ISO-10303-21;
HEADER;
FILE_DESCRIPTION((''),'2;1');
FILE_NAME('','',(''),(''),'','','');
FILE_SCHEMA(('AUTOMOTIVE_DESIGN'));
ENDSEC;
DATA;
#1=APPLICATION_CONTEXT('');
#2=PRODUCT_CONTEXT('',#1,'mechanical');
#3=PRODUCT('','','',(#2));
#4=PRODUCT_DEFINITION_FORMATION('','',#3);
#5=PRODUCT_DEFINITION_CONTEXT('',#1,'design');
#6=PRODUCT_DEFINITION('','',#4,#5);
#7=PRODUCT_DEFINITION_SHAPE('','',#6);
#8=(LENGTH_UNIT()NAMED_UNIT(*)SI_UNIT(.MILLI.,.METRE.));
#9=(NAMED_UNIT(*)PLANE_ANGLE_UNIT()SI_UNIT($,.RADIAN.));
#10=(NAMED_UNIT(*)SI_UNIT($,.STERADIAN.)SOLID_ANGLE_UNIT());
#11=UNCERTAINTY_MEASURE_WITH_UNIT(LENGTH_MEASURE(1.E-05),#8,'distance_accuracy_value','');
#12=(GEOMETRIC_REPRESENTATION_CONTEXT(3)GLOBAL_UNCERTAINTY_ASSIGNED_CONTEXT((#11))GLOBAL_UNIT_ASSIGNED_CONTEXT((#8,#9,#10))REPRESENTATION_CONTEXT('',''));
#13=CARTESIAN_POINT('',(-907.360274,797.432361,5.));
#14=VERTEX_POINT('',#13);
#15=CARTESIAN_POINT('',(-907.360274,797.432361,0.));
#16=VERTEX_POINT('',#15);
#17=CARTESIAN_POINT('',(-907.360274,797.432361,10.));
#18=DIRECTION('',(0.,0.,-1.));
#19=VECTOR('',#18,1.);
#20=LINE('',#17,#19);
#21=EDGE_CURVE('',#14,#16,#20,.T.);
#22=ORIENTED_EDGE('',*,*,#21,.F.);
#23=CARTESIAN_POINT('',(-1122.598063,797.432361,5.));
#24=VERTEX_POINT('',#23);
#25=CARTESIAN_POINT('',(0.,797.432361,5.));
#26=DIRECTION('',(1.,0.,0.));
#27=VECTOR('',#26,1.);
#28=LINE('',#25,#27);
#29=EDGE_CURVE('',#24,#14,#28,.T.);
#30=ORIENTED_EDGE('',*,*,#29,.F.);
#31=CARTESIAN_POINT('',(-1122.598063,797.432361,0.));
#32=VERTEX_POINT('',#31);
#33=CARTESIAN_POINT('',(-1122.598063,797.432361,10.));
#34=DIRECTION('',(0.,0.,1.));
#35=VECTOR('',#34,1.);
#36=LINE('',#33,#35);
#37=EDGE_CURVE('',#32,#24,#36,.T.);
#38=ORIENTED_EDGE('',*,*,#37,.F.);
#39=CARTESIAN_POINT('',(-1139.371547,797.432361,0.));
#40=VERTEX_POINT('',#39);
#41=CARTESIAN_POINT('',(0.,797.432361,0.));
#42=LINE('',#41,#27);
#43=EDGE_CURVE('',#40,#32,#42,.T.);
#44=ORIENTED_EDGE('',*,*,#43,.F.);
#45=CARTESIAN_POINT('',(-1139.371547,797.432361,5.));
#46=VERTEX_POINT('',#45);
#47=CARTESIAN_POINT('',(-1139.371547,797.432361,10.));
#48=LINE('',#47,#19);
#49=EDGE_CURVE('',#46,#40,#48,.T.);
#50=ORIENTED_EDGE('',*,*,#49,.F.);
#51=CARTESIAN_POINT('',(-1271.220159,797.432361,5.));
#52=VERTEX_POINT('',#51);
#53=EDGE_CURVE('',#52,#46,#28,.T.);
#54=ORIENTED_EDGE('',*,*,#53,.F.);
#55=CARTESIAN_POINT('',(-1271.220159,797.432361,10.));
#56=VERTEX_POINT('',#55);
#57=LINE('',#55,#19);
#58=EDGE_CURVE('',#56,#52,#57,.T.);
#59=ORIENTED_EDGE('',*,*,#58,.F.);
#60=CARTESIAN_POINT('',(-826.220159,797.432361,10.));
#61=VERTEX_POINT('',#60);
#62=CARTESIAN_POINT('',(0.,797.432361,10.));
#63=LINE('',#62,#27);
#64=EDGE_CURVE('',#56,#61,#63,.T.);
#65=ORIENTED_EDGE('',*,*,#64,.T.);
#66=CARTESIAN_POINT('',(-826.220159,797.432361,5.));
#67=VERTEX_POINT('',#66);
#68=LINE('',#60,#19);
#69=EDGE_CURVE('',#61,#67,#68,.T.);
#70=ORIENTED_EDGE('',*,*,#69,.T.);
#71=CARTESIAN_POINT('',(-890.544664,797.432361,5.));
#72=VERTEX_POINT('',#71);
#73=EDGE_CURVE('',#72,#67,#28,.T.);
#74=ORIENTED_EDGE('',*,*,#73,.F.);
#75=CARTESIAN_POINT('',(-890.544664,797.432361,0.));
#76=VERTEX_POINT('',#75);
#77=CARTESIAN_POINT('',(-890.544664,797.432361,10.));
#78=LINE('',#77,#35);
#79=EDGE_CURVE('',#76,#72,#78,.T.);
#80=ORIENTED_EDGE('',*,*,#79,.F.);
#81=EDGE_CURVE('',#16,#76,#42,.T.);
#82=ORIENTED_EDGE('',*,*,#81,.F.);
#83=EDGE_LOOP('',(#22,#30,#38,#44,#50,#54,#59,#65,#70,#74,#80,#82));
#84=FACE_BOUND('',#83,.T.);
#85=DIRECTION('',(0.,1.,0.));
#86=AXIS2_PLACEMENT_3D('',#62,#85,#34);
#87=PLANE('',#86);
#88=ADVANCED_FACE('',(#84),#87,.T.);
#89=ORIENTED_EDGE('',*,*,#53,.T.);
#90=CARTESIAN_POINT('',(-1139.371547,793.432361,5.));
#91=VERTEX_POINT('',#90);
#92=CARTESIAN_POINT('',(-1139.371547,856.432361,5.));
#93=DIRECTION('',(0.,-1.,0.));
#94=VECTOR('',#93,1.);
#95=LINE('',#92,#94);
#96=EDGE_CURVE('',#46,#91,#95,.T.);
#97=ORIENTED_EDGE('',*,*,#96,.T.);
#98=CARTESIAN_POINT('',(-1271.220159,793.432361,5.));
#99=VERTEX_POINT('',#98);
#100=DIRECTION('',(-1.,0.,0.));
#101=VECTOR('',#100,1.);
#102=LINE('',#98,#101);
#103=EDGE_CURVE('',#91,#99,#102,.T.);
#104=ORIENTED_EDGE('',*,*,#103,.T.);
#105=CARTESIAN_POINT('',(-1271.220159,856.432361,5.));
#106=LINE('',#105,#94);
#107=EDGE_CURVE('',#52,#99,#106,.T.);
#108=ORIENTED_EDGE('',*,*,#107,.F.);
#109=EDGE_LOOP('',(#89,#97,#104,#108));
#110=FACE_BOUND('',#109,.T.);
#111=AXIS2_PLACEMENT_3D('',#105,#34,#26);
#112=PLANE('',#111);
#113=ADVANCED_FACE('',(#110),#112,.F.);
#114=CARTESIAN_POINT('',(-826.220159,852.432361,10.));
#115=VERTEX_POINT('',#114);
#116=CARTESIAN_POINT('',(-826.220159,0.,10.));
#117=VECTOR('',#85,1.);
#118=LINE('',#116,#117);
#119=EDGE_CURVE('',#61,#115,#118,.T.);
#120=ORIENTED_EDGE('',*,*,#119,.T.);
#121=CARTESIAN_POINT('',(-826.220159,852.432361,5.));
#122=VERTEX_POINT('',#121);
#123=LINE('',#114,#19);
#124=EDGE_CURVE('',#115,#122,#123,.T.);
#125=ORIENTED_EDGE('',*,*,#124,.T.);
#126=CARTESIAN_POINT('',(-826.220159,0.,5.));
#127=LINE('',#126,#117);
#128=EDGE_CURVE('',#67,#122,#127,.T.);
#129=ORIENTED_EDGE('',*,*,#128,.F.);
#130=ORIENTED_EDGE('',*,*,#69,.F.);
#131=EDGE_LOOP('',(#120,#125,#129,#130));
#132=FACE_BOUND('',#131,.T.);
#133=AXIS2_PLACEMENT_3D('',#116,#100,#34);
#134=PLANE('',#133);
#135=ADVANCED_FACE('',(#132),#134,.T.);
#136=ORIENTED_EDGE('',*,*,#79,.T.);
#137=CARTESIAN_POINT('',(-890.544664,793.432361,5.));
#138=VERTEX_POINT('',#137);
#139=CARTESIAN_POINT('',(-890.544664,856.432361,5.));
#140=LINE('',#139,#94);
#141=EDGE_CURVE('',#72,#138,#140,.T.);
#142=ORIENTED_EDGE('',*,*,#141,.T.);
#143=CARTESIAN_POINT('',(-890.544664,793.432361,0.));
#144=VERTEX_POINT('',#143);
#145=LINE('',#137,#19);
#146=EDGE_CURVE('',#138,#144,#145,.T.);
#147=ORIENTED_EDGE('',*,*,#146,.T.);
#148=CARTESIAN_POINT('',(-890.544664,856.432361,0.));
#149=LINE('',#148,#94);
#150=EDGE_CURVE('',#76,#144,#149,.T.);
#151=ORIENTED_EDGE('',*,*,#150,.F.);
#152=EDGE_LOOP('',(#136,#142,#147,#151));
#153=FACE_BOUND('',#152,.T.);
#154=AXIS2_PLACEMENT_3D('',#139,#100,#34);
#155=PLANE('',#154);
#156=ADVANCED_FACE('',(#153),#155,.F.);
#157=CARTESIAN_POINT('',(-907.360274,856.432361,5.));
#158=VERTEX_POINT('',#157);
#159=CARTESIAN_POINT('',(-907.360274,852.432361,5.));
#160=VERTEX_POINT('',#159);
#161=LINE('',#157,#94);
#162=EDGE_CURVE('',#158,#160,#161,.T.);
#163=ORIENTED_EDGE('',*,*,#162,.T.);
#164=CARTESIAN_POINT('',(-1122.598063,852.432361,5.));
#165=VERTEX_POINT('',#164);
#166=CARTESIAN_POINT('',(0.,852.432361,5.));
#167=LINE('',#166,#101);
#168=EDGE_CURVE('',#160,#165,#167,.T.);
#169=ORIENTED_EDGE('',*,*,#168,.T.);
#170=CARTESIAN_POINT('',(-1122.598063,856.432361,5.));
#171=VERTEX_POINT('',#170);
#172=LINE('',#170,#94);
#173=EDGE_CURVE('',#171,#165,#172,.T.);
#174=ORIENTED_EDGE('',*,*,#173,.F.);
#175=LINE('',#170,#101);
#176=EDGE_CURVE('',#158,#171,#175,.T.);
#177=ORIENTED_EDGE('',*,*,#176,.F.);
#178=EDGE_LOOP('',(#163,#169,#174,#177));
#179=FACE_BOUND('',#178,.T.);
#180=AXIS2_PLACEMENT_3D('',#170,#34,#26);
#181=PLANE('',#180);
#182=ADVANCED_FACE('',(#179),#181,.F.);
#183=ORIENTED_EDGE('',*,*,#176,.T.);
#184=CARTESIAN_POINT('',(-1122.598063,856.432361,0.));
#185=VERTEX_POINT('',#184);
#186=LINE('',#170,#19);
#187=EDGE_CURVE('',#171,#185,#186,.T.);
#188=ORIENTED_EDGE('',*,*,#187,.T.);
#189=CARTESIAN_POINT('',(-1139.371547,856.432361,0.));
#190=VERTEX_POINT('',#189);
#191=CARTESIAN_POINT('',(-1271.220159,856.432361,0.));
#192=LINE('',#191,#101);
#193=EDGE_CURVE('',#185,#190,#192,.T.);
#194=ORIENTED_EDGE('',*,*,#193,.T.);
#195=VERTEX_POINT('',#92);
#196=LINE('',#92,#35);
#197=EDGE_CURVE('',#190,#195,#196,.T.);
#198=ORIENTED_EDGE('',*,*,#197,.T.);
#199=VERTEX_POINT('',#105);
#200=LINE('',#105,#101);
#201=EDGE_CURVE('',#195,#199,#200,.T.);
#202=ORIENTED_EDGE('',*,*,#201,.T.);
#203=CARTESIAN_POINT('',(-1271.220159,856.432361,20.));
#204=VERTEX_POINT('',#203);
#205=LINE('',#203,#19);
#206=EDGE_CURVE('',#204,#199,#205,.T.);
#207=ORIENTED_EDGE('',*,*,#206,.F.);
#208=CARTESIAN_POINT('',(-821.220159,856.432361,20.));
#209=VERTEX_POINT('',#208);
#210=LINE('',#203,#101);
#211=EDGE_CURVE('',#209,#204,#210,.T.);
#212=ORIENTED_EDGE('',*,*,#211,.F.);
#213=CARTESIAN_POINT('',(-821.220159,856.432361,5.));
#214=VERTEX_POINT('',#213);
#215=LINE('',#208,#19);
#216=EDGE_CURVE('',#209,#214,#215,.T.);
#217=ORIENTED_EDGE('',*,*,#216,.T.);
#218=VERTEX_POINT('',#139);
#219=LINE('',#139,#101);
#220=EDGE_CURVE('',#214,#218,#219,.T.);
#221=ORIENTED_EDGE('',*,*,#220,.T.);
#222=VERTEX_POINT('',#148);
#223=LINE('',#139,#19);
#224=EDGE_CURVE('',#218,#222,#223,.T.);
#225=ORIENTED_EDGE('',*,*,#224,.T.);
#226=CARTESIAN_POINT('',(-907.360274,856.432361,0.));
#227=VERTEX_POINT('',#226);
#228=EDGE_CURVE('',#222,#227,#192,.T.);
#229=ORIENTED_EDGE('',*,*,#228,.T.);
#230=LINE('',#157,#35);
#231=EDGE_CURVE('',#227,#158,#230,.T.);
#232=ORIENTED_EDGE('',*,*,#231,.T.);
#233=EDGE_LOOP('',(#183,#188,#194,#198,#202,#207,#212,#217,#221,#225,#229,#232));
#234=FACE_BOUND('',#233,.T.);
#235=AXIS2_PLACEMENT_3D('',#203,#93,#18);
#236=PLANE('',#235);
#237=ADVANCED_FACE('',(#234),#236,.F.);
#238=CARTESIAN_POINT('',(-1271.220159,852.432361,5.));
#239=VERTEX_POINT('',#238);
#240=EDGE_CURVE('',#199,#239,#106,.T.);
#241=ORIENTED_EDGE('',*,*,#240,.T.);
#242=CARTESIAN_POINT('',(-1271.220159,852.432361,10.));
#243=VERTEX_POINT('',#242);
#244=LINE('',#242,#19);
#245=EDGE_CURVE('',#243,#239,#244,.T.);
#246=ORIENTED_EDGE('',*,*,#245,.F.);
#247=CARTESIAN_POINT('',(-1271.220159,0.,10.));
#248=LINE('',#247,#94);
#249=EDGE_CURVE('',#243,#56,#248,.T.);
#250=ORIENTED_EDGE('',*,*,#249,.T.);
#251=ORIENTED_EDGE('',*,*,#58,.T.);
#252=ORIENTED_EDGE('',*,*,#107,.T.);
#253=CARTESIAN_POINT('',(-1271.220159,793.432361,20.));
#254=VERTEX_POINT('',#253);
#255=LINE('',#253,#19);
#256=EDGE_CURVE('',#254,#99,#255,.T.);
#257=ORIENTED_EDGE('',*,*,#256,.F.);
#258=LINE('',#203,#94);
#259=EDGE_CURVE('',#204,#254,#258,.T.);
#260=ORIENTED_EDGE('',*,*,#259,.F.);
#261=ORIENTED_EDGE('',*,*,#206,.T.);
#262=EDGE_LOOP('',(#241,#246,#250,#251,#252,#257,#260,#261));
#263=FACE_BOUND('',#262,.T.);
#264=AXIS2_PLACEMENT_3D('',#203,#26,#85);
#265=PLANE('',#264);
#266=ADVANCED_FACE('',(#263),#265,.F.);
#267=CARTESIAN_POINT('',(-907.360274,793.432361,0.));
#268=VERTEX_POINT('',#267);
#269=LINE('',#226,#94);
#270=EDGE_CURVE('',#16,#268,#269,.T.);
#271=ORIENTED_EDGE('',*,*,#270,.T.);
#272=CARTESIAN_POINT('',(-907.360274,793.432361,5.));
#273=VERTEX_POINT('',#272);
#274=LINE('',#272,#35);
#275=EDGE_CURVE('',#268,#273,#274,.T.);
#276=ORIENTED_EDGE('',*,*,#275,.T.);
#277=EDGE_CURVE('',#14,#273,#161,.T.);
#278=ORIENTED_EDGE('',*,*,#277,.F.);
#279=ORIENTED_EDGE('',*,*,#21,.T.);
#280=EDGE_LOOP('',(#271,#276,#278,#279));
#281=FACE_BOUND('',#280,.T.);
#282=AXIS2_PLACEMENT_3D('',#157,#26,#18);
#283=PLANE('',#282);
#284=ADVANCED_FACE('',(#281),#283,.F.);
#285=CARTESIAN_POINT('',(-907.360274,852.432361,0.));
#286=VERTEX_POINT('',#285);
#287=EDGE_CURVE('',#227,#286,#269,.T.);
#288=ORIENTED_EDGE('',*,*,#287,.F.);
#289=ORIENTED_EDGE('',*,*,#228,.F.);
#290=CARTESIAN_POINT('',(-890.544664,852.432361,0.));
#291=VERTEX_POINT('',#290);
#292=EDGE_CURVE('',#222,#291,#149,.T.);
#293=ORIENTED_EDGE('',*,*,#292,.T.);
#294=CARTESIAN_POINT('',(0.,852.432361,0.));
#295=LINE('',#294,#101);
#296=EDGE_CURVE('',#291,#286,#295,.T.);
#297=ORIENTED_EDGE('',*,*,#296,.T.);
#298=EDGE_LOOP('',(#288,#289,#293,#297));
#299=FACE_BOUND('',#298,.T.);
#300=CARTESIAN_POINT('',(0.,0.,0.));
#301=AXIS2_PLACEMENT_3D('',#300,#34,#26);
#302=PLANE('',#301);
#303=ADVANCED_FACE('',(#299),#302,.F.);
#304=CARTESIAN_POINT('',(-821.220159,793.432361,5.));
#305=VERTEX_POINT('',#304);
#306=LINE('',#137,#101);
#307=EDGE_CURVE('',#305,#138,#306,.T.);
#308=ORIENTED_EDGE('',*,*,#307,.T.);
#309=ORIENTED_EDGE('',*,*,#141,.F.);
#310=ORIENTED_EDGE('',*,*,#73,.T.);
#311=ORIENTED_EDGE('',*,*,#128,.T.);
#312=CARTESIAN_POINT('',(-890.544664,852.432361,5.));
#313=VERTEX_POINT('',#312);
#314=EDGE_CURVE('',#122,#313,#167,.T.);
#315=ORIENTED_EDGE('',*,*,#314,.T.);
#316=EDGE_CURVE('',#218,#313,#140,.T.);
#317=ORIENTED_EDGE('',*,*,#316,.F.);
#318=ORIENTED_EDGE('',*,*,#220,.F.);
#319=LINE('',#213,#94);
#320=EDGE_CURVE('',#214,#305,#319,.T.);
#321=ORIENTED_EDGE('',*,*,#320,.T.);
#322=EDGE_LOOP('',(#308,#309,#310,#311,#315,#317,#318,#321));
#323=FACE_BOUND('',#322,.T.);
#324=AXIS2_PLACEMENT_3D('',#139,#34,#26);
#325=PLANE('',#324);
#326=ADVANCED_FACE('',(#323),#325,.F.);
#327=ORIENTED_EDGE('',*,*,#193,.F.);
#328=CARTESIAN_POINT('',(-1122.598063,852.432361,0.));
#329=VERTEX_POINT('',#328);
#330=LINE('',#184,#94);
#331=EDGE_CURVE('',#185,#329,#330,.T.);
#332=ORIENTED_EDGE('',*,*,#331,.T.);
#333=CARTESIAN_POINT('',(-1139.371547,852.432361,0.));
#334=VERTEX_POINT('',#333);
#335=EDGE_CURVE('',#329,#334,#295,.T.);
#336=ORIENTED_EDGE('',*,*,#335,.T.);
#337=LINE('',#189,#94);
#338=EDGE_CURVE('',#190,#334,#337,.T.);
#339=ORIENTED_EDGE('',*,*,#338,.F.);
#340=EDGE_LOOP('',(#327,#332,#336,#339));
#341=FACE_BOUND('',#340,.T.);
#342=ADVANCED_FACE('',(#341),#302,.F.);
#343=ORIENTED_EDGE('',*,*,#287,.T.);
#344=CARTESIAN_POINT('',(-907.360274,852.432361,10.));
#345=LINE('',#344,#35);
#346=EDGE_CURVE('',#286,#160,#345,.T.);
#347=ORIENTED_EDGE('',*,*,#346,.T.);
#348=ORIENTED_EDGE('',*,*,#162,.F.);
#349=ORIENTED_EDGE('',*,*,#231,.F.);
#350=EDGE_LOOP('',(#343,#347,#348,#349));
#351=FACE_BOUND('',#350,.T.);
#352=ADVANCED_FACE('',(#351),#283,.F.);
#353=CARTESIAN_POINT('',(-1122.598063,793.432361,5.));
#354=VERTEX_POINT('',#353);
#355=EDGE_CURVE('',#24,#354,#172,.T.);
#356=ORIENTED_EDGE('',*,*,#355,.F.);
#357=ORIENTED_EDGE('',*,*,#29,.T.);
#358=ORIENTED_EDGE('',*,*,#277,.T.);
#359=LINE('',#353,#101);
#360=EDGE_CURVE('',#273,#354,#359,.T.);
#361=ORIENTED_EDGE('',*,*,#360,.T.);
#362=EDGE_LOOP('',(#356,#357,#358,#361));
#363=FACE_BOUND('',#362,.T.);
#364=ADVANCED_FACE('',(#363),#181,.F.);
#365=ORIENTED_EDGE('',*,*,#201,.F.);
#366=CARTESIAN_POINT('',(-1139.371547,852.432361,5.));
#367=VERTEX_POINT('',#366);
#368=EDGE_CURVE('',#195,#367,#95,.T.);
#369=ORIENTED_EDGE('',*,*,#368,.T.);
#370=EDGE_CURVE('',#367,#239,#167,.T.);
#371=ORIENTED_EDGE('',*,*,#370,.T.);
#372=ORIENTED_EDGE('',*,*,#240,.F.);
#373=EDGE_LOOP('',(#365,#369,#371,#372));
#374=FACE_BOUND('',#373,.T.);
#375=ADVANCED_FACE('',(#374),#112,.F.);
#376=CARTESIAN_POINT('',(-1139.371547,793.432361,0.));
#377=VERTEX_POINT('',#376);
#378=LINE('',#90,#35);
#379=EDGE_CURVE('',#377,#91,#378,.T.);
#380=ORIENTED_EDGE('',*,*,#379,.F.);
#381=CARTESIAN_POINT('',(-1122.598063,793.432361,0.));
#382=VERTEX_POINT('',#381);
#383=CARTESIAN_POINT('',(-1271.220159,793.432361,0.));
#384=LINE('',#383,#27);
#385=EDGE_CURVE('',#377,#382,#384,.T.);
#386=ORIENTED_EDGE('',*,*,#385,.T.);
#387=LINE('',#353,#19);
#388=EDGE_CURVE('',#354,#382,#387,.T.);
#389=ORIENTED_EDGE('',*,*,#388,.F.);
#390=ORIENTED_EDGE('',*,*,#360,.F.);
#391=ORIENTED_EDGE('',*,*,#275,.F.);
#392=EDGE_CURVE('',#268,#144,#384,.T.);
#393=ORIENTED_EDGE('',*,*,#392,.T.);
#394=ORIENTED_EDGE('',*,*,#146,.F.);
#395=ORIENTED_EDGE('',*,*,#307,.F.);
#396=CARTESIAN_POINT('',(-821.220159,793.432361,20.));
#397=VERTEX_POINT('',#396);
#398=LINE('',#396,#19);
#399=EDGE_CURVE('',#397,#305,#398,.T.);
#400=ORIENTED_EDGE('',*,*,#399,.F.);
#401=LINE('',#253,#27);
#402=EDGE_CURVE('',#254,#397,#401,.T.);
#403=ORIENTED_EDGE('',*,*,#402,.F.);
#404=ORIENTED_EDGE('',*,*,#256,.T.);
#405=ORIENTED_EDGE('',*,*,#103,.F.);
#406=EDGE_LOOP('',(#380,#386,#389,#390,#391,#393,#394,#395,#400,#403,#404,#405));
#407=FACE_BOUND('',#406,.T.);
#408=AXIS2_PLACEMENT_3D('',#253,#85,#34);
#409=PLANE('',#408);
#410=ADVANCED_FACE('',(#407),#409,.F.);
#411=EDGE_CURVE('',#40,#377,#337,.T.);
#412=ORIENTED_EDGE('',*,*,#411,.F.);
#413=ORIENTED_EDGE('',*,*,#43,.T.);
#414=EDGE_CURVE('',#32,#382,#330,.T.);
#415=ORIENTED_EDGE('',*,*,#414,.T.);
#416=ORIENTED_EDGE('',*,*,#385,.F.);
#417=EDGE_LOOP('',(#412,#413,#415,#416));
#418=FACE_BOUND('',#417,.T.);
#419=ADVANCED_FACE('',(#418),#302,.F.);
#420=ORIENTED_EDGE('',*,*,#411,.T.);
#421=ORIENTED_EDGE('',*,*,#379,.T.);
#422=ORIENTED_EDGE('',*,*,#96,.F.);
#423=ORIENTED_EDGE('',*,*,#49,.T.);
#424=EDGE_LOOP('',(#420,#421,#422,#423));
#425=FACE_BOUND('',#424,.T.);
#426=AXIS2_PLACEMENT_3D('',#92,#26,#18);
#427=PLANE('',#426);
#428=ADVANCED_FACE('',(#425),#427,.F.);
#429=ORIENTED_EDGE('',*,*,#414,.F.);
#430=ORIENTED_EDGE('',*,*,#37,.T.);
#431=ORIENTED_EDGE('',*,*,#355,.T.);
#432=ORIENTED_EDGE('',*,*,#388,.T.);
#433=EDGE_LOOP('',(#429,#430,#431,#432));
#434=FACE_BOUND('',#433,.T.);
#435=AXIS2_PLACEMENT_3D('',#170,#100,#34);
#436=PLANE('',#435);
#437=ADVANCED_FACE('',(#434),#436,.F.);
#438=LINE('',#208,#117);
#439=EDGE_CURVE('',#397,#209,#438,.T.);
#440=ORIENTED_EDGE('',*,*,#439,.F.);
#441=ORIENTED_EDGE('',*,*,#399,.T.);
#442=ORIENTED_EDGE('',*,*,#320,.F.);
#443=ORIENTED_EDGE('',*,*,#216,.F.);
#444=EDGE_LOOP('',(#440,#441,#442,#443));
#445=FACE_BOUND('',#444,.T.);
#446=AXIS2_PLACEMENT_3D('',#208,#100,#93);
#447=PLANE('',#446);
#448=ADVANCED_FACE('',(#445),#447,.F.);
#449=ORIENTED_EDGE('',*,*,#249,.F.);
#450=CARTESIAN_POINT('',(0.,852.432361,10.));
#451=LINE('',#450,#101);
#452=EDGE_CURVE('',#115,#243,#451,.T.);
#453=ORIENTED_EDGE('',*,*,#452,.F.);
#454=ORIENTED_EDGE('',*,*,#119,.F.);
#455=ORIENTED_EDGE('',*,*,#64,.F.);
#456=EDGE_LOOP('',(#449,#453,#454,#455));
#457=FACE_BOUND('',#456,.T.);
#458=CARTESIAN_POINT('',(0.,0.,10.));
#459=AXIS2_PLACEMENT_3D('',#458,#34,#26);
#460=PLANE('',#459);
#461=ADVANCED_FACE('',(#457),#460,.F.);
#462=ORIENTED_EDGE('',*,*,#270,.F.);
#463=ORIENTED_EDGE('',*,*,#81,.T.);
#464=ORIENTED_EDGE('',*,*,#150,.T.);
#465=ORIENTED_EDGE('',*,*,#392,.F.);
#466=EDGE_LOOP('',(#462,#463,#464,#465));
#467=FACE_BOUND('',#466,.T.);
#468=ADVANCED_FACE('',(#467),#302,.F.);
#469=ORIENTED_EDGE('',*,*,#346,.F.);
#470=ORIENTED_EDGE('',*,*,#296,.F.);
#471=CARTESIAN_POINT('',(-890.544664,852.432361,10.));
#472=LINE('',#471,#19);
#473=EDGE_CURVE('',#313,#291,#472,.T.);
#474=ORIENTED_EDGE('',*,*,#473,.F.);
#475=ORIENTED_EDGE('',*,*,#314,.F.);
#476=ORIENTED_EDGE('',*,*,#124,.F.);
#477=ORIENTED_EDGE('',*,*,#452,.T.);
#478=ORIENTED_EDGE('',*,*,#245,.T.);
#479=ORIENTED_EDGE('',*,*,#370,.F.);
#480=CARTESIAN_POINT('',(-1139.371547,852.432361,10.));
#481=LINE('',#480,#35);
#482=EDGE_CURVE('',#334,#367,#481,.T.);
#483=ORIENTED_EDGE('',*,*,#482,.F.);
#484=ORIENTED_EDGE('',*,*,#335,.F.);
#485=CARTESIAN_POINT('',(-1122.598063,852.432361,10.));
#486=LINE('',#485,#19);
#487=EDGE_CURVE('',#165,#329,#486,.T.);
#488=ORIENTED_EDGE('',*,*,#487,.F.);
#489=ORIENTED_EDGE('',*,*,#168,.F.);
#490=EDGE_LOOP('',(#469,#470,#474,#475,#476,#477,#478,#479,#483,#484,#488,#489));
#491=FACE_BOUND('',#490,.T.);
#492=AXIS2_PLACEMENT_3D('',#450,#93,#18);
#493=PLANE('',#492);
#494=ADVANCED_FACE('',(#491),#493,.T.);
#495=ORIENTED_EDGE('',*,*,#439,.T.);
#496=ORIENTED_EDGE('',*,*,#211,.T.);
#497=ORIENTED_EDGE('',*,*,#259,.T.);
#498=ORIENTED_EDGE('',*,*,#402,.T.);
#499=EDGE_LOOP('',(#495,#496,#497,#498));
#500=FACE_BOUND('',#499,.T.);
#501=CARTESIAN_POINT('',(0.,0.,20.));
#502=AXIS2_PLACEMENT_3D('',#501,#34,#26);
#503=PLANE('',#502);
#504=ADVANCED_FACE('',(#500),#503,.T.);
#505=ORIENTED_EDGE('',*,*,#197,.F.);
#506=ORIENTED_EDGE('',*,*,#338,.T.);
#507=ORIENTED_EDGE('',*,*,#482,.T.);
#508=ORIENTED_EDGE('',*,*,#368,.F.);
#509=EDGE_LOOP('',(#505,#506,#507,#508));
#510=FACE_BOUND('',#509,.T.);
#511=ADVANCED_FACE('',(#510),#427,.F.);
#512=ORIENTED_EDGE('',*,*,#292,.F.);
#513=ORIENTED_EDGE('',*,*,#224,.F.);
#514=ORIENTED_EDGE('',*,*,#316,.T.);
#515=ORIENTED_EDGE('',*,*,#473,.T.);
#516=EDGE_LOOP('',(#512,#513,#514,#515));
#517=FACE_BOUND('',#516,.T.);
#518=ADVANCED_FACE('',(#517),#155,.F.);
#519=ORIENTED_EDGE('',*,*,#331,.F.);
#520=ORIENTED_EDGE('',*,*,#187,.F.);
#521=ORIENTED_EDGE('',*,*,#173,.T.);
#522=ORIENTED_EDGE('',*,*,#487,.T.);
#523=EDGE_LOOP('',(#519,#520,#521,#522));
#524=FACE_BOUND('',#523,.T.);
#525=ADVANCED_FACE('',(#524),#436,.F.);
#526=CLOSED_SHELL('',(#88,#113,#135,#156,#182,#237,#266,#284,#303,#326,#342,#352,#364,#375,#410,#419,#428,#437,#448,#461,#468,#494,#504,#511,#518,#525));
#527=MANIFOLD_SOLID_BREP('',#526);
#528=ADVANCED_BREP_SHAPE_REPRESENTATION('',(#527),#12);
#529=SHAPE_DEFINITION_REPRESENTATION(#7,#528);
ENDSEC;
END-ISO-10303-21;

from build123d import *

# Parameters (mm, degrees)
SKETCH_1_W          = 450
SKETCH_1_H          = 63
EXTRUDE_1_DEPTH     = 20
CUT_EXTRUDE_START   = -20
SKETCH_2_W          = 445
SKETCH_2_H          = 55
CUT_EXTRUDE_1_DEPTH = 10
SKETCH_3_W          = 131.848612651
SKETCH_3_H          = 5
SKETCH_3_W_2        = 215.237788284
SKETCH_3_W_3        = 69.324505159
CUT_EXTRUDE_2_DEPTH = 64


with BuildPart() as part:
    # 草图1 → 凸台-拉伸1 (new body)
    with BuildSketch(Plane.XY):
        with Locations((-1046.220159151, 824.932360743)):
            Rectangle(SKETCH_1_W, SKETCH_1_H)
    extrude(amount=EXTRUDE_1_DEPTH)

    # 草图2 → 切除-拉伸1 (cut)
    with BuildSketch(Plane.XY.offset(20).offset(CUT_EXTRUDE_START)):
        with Locations((-1048.720159151, 824.932360743)):
            Rectangle(SKETCH_2_W, SKETCH_2_H)
    extrude(amount=CUT_EXTRUDE_1_DEPTH, mode=Mode.SUBTRACT)

    # 草图3 → 切除-拉伸2 (cut, through all)
    with BuildSketch(Plane.XZ.offset(-793.432360743)):
        with Locations((-1205.295852826, 2.5)):
            Rectangle(SKETCH_3_W, SKETCH_3_H)
        with Locations((-1014.979168507, 2.5)):
            Rectangle(SKETCH_3_W_2, SKETCH_3_H)
        with Locations((-855.882411731, 2.5)):
            Rectangle(SKETCH_3_W_3, SKETCH_3_H)
    extrude(amount=-CUT_EXTRUDE_2_DEPTH, mode=Mode.SUBTRACT)


solid = part.part
